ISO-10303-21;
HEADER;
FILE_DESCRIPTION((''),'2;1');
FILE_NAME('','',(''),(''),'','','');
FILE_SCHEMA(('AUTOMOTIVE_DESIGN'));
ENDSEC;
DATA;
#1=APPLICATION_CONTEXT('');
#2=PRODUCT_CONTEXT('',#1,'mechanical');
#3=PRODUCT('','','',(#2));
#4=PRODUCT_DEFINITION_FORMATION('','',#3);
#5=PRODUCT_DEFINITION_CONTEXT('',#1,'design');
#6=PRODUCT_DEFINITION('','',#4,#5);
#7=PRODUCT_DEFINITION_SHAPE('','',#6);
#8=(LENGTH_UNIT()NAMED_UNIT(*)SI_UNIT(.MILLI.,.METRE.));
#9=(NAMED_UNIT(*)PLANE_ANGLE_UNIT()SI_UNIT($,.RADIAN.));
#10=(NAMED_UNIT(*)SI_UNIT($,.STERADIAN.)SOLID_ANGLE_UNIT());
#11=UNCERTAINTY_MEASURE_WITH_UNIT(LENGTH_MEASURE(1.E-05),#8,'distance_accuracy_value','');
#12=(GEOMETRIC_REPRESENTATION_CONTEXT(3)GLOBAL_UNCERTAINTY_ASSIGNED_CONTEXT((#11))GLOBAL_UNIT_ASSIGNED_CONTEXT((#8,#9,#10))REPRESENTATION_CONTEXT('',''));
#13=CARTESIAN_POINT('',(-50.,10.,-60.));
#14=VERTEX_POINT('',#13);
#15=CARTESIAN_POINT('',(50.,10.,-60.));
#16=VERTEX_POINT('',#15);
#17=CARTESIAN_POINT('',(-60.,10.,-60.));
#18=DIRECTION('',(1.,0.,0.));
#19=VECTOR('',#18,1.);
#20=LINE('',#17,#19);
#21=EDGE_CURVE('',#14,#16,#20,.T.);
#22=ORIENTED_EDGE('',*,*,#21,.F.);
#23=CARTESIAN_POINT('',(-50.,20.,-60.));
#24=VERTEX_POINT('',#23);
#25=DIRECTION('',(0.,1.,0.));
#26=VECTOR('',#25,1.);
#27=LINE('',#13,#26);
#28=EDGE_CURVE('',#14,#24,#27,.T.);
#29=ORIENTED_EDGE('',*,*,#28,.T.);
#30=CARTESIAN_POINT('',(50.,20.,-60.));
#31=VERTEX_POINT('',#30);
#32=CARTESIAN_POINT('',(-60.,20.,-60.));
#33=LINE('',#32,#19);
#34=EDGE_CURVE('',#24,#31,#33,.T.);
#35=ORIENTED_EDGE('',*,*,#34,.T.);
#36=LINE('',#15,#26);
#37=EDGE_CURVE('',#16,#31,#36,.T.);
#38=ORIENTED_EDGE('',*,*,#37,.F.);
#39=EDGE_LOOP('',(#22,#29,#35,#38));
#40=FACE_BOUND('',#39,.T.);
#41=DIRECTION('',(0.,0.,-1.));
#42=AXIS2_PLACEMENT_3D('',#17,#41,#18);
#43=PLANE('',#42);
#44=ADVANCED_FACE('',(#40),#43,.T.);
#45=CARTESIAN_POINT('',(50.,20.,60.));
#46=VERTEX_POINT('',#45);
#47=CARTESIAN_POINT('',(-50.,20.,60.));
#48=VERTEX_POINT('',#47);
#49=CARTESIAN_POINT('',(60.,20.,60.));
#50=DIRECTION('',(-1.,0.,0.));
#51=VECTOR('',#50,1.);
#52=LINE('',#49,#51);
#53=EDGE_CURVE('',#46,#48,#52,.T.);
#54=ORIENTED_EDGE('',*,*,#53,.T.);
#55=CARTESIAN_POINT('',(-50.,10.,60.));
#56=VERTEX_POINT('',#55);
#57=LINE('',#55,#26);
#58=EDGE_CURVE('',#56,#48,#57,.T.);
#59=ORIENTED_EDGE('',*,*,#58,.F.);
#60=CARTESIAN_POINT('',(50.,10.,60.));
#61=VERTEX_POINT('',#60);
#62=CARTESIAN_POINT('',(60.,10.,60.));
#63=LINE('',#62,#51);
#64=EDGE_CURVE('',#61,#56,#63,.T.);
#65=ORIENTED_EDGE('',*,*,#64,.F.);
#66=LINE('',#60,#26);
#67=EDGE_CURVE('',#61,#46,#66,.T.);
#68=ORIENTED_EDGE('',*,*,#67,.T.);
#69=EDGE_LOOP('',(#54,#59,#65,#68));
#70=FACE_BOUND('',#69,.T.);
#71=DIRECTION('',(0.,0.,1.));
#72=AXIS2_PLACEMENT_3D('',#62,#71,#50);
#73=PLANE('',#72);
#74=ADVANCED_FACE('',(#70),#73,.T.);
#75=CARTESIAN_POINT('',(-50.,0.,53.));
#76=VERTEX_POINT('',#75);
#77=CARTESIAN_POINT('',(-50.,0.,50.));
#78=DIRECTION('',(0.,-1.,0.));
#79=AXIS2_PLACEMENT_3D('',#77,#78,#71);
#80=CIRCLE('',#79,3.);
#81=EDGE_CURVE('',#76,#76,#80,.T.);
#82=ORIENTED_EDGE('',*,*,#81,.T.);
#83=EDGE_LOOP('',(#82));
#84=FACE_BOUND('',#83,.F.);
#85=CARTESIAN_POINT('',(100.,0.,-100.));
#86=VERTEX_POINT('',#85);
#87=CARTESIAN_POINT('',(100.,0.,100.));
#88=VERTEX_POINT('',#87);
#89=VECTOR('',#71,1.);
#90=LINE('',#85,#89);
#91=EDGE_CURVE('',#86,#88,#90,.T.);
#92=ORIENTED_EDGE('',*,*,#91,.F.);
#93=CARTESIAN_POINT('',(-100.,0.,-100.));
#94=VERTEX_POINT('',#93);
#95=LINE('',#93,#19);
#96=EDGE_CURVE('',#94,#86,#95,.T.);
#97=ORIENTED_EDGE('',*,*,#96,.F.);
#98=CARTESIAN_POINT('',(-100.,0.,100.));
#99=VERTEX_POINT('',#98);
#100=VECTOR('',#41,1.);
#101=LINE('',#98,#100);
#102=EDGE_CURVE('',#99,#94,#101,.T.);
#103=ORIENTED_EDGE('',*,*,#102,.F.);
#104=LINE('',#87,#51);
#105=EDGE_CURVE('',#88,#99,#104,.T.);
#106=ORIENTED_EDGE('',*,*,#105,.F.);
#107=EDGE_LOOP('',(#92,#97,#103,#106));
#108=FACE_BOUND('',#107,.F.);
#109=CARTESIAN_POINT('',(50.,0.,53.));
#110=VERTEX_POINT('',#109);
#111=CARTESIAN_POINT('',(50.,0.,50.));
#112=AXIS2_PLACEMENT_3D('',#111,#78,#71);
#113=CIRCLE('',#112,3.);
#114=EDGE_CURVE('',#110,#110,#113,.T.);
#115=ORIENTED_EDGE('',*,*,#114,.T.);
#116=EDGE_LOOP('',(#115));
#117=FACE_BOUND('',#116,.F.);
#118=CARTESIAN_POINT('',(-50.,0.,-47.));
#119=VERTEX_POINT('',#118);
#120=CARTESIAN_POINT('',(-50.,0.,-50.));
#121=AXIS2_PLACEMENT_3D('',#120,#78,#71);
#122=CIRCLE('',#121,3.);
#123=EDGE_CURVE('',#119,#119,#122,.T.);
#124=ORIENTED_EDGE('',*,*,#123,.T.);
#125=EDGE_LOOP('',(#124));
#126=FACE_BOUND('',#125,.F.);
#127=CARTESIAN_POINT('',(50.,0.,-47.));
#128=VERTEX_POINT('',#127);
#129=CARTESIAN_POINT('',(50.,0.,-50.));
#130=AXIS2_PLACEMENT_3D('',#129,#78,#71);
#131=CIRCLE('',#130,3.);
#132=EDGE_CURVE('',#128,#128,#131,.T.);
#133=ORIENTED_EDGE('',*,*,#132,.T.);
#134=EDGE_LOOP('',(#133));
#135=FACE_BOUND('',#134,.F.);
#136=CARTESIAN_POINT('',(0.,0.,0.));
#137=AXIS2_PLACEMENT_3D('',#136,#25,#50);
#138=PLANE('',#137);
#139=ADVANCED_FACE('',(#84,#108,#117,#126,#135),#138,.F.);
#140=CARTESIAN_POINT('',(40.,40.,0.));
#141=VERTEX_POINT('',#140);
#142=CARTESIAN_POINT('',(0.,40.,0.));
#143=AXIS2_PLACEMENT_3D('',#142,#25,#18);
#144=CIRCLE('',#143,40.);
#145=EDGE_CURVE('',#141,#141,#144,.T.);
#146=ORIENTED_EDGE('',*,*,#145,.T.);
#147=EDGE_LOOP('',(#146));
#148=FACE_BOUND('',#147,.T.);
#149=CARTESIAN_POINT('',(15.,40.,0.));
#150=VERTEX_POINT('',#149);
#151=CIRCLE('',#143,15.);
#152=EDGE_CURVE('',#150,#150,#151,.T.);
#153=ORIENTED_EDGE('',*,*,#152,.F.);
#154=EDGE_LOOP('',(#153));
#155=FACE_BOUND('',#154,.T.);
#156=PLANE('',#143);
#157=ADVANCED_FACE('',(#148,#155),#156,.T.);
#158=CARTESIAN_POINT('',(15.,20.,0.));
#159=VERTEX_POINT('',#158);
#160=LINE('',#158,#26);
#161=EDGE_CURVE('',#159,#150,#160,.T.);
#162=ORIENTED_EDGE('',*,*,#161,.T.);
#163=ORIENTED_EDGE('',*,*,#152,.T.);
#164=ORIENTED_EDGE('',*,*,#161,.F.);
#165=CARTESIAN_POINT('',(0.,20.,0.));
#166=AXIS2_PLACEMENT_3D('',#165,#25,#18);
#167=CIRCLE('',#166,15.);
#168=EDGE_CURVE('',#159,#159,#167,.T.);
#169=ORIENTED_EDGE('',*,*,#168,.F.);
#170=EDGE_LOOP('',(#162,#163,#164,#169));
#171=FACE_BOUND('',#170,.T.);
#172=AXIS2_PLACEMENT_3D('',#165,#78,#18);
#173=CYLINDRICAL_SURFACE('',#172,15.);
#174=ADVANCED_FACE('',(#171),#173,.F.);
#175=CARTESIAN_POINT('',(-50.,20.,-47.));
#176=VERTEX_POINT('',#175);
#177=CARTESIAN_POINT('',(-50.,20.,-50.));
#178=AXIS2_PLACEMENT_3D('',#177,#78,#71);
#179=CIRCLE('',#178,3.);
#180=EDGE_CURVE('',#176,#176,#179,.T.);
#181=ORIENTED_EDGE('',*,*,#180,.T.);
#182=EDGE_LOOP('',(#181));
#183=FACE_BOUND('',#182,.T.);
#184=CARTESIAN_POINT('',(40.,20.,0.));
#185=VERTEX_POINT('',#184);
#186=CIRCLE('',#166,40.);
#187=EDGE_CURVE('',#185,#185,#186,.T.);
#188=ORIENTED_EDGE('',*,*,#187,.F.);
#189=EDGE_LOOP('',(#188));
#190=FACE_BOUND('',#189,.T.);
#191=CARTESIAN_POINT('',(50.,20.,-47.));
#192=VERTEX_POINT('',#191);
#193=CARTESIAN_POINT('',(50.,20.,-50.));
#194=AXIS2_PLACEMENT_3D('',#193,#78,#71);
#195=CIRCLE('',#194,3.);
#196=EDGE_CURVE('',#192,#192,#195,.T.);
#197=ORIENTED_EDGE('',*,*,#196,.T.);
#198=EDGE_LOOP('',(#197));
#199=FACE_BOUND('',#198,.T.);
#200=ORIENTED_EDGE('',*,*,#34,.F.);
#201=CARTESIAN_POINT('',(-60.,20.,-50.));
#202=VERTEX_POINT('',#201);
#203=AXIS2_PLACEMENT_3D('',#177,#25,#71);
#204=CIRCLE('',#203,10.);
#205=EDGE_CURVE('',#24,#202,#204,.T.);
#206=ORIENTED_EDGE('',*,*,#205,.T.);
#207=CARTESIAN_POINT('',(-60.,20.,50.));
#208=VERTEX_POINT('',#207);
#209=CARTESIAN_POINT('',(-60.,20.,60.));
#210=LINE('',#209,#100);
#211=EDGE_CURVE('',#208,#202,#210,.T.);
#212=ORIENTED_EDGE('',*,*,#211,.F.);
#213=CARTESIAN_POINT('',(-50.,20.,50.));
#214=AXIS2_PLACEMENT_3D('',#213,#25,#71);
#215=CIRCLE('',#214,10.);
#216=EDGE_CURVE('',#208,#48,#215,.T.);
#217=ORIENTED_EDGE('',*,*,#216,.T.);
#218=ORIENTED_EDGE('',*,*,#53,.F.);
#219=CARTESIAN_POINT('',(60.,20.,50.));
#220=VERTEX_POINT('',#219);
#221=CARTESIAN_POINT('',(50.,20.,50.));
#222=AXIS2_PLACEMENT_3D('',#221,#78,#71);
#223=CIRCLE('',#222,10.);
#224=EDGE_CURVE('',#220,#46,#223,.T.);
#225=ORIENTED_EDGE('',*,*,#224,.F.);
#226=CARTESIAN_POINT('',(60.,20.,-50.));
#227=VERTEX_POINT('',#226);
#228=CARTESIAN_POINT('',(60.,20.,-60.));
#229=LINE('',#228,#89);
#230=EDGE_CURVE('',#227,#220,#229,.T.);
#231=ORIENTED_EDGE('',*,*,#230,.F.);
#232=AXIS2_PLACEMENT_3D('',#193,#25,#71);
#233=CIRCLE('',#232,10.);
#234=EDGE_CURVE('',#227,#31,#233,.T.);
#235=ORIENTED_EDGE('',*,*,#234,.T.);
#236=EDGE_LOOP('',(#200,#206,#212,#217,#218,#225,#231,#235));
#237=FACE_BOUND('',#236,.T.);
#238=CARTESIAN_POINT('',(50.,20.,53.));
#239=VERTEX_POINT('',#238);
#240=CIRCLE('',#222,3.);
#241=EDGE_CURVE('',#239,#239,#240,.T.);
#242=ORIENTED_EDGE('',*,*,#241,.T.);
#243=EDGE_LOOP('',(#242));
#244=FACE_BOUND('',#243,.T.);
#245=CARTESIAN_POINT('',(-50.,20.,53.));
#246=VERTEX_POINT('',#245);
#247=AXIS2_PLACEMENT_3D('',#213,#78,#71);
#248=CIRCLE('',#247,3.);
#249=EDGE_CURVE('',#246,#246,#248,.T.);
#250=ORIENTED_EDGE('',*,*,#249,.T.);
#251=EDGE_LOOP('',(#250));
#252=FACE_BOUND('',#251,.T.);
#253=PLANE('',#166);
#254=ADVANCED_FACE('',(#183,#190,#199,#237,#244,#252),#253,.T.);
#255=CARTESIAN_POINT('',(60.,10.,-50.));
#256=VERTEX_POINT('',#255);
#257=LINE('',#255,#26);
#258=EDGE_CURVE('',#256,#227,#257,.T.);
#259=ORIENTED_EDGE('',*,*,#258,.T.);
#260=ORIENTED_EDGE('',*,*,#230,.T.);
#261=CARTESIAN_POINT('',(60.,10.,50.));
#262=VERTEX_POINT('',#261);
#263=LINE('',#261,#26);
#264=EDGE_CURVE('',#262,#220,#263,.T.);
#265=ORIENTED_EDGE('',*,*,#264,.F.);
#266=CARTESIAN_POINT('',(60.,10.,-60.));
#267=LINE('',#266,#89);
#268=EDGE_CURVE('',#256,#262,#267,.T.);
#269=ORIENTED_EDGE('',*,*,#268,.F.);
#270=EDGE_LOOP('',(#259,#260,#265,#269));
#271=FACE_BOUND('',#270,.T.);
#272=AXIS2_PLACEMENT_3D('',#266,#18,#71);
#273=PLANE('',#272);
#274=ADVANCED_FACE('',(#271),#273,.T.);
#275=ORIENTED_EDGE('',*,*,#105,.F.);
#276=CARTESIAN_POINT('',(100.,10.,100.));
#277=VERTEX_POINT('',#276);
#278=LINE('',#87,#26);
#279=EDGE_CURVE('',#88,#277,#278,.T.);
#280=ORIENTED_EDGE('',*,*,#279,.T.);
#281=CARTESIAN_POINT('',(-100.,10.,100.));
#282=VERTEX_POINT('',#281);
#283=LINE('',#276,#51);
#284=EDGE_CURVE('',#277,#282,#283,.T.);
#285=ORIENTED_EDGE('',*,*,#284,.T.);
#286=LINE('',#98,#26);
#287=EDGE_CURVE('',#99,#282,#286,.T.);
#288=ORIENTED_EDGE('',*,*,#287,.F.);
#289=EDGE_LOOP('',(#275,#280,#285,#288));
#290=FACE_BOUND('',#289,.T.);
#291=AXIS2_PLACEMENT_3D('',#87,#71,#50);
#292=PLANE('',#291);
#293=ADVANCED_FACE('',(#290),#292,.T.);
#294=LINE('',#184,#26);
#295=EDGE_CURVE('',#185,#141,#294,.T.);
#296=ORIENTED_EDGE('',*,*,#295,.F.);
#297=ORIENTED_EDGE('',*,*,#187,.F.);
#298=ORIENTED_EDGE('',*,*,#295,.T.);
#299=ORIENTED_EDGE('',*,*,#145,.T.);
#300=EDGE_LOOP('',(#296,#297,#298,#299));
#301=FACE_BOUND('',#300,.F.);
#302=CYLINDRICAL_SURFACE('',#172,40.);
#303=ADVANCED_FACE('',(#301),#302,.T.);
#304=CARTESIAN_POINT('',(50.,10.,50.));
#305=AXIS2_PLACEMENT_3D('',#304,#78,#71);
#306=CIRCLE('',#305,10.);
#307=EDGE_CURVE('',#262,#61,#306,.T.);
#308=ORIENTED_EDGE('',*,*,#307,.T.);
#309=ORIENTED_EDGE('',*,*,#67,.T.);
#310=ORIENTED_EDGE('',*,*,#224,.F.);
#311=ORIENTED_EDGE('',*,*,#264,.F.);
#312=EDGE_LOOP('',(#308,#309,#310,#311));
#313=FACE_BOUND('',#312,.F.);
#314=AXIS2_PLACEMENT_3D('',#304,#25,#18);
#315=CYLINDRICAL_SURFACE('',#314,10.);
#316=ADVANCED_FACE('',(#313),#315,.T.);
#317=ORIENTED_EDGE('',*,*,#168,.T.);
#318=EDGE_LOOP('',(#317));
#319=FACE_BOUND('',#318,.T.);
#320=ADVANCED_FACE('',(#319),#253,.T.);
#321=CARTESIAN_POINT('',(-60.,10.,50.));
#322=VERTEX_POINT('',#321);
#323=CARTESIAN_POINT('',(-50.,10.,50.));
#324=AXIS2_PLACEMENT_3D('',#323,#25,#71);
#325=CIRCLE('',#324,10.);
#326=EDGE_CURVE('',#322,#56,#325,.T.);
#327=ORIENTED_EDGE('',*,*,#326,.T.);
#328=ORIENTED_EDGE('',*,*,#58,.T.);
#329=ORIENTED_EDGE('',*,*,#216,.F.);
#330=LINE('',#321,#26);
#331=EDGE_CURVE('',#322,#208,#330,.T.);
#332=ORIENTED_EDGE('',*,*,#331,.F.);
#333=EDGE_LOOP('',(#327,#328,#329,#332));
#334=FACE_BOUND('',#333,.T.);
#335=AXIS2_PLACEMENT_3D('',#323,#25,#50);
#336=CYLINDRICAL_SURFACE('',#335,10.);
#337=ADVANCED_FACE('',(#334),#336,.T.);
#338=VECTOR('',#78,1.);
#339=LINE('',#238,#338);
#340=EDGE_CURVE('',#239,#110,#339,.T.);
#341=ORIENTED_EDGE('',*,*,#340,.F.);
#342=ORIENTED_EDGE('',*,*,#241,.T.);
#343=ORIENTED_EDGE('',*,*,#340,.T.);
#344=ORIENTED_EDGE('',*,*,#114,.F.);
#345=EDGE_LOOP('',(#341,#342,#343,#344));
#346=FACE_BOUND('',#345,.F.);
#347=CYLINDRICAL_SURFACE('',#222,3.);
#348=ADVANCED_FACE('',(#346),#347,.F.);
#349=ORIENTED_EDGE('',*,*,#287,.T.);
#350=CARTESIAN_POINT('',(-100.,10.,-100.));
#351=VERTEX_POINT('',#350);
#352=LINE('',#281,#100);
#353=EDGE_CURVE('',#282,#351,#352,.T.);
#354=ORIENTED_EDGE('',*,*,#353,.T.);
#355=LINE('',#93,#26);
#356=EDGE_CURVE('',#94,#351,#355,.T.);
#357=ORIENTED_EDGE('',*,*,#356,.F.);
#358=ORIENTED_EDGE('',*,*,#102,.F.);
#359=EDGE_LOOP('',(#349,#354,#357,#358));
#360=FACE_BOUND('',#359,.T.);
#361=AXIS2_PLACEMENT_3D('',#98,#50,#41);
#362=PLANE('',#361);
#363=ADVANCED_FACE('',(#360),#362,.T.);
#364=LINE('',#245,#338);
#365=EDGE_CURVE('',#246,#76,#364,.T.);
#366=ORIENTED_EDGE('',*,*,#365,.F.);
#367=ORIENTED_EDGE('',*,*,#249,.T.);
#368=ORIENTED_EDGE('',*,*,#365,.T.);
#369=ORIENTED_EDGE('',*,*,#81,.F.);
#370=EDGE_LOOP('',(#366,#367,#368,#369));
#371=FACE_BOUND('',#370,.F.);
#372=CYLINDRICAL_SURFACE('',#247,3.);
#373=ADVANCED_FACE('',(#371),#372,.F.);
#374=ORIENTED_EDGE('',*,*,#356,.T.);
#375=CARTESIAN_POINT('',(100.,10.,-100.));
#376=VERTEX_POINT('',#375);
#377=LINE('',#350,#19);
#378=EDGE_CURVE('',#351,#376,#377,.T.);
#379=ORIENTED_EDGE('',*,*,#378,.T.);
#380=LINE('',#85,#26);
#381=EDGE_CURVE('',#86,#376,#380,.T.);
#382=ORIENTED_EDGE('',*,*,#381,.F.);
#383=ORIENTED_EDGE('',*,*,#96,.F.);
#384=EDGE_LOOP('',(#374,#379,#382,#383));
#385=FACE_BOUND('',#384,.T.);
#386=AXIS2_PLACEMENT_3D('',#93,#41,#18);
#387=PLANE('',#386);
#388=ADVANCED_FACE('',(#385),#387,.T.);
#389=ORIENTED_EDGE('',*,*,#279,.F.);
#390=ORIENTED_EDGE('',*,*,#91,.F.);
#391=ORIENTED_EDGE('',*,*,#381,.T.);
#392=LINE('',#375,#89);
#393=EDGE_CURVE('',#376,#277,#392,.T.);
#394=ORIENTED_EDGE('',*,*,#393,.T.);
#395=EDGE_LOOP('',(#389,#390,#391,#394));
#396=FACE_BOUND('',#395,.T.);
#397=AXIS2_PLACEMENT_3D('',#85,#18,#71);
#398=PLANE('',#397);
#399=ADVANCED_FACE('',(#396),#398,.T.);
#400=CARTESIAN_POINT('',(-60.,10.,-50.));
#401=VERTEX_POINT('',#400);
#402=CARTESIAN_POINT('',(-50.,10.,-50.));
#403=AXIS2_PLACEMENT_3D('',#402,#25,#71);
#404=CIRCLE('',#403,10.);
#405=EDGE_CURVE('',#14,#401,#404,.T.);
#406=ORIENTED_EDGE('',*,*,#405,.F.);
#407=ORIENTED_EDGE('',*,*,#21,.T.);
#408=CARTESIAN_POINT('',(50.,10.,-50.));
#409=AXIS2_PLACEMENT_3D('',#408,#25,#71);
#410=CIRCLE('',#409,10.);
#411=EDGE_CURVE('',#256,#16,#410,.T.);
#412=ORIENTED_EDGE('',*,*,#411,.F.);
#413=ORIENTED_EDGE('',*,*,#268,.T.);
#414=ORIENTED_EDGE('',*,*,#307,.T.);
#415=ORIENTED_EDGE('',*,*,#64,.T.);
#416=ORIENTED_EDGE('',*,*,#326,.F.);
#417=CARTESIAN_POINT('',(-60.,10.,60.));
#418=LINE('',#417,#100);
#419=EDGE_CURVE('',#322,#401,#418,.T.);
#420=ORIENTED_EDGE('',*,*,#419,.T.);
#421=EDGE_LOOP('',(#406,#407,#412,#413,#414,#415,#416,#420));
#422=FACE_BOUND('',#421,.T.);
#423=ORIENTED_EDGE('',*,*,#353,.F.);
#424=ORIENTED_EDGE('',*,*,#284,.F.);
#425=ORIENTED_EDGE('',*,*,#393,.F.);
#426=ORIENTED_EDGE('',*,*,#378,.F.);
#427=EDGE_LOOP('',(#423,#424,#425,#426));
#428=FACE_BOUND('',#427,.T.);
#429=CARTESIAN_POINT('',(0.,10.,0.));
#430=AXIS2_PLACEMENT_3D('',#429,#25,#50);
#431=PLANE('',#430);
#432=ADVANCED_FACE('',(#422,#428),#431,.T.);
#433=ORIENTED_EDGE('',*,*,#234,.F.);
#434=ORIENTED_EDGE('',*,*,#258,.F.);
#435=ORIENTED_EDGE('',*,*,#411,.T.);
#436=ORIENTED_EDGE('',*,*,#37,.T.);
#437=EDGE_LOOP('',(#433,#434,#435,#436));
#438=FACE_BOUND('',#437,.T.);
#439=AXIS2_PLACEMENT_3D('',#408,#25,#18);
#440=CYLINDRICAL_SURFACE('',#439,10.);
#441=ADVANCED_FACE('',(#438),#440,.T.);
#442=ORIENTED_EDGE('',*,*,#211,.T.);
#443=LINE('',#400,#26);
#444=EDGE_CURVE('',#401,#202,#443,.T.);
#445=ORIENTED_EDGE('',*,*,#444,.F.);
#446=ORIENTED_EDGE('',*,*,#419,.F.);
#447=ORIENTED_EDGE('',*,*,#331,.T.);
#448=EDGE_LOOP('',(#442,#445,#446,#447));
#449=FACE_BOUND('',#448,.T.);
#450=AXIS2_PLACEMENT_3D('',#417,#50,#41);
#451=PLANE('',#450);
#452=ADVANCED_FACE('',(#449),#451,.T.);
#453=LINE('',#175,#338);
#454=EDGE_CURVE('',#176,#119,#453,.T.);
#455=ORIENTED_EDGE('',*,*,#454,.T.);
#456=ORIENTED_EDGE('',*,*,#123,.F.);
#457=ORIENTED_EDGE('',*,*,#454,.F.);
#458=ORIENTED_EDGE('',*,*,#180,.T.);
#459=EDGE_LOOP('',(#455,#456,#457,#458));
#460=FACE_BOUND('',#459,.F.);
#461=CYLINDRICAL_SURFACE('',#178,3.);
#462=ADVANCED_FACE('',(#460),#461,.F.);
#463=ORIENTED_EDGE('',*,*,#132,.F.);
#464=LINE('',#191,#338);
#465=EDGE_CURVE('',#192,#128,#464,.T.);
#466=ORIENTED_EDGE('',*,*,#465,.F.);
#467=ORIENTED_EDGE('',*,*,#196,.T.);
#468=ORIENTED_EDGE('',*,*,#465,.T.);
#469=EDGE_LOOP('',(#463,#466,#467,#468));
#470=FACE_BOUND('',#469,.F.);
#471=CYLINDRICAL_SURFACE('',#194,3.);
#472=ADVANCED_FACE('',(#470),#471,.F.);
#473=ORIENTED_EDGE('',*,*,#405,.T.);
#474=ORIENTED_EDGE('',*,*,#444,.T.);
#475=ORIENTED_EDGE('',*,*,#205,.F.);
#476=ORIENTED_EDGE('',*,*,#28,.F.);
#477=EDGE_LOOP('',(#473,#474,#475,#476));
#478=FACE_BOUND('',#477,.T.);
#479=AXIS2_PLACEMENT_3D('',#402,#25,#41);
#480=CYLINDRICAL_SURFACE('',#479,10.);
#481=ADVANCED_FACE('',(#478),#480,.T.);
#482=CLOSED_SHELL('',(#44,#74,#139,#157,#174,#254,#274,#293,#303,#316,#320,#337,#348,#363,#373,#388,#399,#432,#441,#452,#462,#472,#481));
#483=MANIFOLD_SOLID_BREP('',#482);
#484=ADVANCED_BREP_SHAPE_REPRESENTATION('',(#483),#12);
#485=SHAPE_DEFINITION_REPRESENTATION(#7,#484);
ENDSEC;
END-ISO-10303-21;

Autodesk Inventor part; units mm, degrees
ref_plane "YZ Plane" through (0, 0, 0) normal (1, 0, 0) x (0, 1, 0)
ref_plane "XZ Plane" through (0, 0, 0) normal (0, 1, 0) x (-1, 0, 0)
ref_plane "XY Plane" through (0, 0, 0) normal (0, 0, 1) x (1, 0, 0)
sketch "Sketch1" plane through (0, 0, 0) normal (0, 1, 0) x (-1, 0, 0)
  line L0 (-100, 100) -> (100, 100)
  line L1 (100, 100) -> (100, -100)
  line L2 (100, -100) -> (-100, -100)
  line L3 (-100, -100) -> (-100, 100)
  line L4 (-100, 100) -> (100, -100) construction
  line L5 (100, 100) -> (-100, -100) construction
  point P0 (0, 0)
  dimension "d0" = 200
  dimension "d1" = 200
extrude "Extrusion1" add sketch "Sketch1" along normal blind 10
sketch "Sketch2" plane through (0, 10, 0) normal (0, 1, 0) x (1, 0, 0)
  line L0 (60, -60) -> (-60, -60)
  line L1 (-60, -60) -> (-60, 60)
  line L2 (-60, 60) -> (60, 60)
  line L3 (60, 60) -> (60, -60)
  line L4 (60, -60) -> (-60, 60) construction
  line L5 (-60, -60) -> (60, 60) construction
  point P0 (0, 0)
  dimension "d4" = 120
  dimension "d5" = 120
extrude "Extrusion2" add sketch "Sketch2" along normal blind 10
fillet "Fillet1" radius 10 4 edges at (60, 15, 60) (60, 15, -60) (-60, 15, 60) (-60, 15, -60)
sketch "Sketch3" plane through (0, 20, 0) normal (0, 1, 0) x (1, 0, 0)
  circle A0 centre (0, 0) radius 15
  circle A1 centre (0, 0) radius 40
  dimension "d9" = 30
  dimension "d19" = 80
extrude "Extrusion3" add sketch "Sketch3" along normal blind 20
sketch "Sketch4" plane through (0, 20, 0) normal (0, 1, 0) x (1, 0, 0)
  arc A0 (60, 50) -> (50, 60) centre (50, 50) ccw projected
  arc A1 (50, -60) -> (60, -50) centre (50, -50) ccw projected
  arc A2 (-60, -50) -> (-50, -60) centre (-50, -50) ccw projected
  arc A3 (-50, 60) -> (-60, 50) centre (-50, 50) ccw projected
  point P0 (0, 0)
hole "Hole1" at (50, 20, 50) at (-50, 20, 50) at (50, 20, -50) at (-50, 20, -50) direction (0, -1, 0) diameter 6 end through all
properties part number "Base Plate 2"
